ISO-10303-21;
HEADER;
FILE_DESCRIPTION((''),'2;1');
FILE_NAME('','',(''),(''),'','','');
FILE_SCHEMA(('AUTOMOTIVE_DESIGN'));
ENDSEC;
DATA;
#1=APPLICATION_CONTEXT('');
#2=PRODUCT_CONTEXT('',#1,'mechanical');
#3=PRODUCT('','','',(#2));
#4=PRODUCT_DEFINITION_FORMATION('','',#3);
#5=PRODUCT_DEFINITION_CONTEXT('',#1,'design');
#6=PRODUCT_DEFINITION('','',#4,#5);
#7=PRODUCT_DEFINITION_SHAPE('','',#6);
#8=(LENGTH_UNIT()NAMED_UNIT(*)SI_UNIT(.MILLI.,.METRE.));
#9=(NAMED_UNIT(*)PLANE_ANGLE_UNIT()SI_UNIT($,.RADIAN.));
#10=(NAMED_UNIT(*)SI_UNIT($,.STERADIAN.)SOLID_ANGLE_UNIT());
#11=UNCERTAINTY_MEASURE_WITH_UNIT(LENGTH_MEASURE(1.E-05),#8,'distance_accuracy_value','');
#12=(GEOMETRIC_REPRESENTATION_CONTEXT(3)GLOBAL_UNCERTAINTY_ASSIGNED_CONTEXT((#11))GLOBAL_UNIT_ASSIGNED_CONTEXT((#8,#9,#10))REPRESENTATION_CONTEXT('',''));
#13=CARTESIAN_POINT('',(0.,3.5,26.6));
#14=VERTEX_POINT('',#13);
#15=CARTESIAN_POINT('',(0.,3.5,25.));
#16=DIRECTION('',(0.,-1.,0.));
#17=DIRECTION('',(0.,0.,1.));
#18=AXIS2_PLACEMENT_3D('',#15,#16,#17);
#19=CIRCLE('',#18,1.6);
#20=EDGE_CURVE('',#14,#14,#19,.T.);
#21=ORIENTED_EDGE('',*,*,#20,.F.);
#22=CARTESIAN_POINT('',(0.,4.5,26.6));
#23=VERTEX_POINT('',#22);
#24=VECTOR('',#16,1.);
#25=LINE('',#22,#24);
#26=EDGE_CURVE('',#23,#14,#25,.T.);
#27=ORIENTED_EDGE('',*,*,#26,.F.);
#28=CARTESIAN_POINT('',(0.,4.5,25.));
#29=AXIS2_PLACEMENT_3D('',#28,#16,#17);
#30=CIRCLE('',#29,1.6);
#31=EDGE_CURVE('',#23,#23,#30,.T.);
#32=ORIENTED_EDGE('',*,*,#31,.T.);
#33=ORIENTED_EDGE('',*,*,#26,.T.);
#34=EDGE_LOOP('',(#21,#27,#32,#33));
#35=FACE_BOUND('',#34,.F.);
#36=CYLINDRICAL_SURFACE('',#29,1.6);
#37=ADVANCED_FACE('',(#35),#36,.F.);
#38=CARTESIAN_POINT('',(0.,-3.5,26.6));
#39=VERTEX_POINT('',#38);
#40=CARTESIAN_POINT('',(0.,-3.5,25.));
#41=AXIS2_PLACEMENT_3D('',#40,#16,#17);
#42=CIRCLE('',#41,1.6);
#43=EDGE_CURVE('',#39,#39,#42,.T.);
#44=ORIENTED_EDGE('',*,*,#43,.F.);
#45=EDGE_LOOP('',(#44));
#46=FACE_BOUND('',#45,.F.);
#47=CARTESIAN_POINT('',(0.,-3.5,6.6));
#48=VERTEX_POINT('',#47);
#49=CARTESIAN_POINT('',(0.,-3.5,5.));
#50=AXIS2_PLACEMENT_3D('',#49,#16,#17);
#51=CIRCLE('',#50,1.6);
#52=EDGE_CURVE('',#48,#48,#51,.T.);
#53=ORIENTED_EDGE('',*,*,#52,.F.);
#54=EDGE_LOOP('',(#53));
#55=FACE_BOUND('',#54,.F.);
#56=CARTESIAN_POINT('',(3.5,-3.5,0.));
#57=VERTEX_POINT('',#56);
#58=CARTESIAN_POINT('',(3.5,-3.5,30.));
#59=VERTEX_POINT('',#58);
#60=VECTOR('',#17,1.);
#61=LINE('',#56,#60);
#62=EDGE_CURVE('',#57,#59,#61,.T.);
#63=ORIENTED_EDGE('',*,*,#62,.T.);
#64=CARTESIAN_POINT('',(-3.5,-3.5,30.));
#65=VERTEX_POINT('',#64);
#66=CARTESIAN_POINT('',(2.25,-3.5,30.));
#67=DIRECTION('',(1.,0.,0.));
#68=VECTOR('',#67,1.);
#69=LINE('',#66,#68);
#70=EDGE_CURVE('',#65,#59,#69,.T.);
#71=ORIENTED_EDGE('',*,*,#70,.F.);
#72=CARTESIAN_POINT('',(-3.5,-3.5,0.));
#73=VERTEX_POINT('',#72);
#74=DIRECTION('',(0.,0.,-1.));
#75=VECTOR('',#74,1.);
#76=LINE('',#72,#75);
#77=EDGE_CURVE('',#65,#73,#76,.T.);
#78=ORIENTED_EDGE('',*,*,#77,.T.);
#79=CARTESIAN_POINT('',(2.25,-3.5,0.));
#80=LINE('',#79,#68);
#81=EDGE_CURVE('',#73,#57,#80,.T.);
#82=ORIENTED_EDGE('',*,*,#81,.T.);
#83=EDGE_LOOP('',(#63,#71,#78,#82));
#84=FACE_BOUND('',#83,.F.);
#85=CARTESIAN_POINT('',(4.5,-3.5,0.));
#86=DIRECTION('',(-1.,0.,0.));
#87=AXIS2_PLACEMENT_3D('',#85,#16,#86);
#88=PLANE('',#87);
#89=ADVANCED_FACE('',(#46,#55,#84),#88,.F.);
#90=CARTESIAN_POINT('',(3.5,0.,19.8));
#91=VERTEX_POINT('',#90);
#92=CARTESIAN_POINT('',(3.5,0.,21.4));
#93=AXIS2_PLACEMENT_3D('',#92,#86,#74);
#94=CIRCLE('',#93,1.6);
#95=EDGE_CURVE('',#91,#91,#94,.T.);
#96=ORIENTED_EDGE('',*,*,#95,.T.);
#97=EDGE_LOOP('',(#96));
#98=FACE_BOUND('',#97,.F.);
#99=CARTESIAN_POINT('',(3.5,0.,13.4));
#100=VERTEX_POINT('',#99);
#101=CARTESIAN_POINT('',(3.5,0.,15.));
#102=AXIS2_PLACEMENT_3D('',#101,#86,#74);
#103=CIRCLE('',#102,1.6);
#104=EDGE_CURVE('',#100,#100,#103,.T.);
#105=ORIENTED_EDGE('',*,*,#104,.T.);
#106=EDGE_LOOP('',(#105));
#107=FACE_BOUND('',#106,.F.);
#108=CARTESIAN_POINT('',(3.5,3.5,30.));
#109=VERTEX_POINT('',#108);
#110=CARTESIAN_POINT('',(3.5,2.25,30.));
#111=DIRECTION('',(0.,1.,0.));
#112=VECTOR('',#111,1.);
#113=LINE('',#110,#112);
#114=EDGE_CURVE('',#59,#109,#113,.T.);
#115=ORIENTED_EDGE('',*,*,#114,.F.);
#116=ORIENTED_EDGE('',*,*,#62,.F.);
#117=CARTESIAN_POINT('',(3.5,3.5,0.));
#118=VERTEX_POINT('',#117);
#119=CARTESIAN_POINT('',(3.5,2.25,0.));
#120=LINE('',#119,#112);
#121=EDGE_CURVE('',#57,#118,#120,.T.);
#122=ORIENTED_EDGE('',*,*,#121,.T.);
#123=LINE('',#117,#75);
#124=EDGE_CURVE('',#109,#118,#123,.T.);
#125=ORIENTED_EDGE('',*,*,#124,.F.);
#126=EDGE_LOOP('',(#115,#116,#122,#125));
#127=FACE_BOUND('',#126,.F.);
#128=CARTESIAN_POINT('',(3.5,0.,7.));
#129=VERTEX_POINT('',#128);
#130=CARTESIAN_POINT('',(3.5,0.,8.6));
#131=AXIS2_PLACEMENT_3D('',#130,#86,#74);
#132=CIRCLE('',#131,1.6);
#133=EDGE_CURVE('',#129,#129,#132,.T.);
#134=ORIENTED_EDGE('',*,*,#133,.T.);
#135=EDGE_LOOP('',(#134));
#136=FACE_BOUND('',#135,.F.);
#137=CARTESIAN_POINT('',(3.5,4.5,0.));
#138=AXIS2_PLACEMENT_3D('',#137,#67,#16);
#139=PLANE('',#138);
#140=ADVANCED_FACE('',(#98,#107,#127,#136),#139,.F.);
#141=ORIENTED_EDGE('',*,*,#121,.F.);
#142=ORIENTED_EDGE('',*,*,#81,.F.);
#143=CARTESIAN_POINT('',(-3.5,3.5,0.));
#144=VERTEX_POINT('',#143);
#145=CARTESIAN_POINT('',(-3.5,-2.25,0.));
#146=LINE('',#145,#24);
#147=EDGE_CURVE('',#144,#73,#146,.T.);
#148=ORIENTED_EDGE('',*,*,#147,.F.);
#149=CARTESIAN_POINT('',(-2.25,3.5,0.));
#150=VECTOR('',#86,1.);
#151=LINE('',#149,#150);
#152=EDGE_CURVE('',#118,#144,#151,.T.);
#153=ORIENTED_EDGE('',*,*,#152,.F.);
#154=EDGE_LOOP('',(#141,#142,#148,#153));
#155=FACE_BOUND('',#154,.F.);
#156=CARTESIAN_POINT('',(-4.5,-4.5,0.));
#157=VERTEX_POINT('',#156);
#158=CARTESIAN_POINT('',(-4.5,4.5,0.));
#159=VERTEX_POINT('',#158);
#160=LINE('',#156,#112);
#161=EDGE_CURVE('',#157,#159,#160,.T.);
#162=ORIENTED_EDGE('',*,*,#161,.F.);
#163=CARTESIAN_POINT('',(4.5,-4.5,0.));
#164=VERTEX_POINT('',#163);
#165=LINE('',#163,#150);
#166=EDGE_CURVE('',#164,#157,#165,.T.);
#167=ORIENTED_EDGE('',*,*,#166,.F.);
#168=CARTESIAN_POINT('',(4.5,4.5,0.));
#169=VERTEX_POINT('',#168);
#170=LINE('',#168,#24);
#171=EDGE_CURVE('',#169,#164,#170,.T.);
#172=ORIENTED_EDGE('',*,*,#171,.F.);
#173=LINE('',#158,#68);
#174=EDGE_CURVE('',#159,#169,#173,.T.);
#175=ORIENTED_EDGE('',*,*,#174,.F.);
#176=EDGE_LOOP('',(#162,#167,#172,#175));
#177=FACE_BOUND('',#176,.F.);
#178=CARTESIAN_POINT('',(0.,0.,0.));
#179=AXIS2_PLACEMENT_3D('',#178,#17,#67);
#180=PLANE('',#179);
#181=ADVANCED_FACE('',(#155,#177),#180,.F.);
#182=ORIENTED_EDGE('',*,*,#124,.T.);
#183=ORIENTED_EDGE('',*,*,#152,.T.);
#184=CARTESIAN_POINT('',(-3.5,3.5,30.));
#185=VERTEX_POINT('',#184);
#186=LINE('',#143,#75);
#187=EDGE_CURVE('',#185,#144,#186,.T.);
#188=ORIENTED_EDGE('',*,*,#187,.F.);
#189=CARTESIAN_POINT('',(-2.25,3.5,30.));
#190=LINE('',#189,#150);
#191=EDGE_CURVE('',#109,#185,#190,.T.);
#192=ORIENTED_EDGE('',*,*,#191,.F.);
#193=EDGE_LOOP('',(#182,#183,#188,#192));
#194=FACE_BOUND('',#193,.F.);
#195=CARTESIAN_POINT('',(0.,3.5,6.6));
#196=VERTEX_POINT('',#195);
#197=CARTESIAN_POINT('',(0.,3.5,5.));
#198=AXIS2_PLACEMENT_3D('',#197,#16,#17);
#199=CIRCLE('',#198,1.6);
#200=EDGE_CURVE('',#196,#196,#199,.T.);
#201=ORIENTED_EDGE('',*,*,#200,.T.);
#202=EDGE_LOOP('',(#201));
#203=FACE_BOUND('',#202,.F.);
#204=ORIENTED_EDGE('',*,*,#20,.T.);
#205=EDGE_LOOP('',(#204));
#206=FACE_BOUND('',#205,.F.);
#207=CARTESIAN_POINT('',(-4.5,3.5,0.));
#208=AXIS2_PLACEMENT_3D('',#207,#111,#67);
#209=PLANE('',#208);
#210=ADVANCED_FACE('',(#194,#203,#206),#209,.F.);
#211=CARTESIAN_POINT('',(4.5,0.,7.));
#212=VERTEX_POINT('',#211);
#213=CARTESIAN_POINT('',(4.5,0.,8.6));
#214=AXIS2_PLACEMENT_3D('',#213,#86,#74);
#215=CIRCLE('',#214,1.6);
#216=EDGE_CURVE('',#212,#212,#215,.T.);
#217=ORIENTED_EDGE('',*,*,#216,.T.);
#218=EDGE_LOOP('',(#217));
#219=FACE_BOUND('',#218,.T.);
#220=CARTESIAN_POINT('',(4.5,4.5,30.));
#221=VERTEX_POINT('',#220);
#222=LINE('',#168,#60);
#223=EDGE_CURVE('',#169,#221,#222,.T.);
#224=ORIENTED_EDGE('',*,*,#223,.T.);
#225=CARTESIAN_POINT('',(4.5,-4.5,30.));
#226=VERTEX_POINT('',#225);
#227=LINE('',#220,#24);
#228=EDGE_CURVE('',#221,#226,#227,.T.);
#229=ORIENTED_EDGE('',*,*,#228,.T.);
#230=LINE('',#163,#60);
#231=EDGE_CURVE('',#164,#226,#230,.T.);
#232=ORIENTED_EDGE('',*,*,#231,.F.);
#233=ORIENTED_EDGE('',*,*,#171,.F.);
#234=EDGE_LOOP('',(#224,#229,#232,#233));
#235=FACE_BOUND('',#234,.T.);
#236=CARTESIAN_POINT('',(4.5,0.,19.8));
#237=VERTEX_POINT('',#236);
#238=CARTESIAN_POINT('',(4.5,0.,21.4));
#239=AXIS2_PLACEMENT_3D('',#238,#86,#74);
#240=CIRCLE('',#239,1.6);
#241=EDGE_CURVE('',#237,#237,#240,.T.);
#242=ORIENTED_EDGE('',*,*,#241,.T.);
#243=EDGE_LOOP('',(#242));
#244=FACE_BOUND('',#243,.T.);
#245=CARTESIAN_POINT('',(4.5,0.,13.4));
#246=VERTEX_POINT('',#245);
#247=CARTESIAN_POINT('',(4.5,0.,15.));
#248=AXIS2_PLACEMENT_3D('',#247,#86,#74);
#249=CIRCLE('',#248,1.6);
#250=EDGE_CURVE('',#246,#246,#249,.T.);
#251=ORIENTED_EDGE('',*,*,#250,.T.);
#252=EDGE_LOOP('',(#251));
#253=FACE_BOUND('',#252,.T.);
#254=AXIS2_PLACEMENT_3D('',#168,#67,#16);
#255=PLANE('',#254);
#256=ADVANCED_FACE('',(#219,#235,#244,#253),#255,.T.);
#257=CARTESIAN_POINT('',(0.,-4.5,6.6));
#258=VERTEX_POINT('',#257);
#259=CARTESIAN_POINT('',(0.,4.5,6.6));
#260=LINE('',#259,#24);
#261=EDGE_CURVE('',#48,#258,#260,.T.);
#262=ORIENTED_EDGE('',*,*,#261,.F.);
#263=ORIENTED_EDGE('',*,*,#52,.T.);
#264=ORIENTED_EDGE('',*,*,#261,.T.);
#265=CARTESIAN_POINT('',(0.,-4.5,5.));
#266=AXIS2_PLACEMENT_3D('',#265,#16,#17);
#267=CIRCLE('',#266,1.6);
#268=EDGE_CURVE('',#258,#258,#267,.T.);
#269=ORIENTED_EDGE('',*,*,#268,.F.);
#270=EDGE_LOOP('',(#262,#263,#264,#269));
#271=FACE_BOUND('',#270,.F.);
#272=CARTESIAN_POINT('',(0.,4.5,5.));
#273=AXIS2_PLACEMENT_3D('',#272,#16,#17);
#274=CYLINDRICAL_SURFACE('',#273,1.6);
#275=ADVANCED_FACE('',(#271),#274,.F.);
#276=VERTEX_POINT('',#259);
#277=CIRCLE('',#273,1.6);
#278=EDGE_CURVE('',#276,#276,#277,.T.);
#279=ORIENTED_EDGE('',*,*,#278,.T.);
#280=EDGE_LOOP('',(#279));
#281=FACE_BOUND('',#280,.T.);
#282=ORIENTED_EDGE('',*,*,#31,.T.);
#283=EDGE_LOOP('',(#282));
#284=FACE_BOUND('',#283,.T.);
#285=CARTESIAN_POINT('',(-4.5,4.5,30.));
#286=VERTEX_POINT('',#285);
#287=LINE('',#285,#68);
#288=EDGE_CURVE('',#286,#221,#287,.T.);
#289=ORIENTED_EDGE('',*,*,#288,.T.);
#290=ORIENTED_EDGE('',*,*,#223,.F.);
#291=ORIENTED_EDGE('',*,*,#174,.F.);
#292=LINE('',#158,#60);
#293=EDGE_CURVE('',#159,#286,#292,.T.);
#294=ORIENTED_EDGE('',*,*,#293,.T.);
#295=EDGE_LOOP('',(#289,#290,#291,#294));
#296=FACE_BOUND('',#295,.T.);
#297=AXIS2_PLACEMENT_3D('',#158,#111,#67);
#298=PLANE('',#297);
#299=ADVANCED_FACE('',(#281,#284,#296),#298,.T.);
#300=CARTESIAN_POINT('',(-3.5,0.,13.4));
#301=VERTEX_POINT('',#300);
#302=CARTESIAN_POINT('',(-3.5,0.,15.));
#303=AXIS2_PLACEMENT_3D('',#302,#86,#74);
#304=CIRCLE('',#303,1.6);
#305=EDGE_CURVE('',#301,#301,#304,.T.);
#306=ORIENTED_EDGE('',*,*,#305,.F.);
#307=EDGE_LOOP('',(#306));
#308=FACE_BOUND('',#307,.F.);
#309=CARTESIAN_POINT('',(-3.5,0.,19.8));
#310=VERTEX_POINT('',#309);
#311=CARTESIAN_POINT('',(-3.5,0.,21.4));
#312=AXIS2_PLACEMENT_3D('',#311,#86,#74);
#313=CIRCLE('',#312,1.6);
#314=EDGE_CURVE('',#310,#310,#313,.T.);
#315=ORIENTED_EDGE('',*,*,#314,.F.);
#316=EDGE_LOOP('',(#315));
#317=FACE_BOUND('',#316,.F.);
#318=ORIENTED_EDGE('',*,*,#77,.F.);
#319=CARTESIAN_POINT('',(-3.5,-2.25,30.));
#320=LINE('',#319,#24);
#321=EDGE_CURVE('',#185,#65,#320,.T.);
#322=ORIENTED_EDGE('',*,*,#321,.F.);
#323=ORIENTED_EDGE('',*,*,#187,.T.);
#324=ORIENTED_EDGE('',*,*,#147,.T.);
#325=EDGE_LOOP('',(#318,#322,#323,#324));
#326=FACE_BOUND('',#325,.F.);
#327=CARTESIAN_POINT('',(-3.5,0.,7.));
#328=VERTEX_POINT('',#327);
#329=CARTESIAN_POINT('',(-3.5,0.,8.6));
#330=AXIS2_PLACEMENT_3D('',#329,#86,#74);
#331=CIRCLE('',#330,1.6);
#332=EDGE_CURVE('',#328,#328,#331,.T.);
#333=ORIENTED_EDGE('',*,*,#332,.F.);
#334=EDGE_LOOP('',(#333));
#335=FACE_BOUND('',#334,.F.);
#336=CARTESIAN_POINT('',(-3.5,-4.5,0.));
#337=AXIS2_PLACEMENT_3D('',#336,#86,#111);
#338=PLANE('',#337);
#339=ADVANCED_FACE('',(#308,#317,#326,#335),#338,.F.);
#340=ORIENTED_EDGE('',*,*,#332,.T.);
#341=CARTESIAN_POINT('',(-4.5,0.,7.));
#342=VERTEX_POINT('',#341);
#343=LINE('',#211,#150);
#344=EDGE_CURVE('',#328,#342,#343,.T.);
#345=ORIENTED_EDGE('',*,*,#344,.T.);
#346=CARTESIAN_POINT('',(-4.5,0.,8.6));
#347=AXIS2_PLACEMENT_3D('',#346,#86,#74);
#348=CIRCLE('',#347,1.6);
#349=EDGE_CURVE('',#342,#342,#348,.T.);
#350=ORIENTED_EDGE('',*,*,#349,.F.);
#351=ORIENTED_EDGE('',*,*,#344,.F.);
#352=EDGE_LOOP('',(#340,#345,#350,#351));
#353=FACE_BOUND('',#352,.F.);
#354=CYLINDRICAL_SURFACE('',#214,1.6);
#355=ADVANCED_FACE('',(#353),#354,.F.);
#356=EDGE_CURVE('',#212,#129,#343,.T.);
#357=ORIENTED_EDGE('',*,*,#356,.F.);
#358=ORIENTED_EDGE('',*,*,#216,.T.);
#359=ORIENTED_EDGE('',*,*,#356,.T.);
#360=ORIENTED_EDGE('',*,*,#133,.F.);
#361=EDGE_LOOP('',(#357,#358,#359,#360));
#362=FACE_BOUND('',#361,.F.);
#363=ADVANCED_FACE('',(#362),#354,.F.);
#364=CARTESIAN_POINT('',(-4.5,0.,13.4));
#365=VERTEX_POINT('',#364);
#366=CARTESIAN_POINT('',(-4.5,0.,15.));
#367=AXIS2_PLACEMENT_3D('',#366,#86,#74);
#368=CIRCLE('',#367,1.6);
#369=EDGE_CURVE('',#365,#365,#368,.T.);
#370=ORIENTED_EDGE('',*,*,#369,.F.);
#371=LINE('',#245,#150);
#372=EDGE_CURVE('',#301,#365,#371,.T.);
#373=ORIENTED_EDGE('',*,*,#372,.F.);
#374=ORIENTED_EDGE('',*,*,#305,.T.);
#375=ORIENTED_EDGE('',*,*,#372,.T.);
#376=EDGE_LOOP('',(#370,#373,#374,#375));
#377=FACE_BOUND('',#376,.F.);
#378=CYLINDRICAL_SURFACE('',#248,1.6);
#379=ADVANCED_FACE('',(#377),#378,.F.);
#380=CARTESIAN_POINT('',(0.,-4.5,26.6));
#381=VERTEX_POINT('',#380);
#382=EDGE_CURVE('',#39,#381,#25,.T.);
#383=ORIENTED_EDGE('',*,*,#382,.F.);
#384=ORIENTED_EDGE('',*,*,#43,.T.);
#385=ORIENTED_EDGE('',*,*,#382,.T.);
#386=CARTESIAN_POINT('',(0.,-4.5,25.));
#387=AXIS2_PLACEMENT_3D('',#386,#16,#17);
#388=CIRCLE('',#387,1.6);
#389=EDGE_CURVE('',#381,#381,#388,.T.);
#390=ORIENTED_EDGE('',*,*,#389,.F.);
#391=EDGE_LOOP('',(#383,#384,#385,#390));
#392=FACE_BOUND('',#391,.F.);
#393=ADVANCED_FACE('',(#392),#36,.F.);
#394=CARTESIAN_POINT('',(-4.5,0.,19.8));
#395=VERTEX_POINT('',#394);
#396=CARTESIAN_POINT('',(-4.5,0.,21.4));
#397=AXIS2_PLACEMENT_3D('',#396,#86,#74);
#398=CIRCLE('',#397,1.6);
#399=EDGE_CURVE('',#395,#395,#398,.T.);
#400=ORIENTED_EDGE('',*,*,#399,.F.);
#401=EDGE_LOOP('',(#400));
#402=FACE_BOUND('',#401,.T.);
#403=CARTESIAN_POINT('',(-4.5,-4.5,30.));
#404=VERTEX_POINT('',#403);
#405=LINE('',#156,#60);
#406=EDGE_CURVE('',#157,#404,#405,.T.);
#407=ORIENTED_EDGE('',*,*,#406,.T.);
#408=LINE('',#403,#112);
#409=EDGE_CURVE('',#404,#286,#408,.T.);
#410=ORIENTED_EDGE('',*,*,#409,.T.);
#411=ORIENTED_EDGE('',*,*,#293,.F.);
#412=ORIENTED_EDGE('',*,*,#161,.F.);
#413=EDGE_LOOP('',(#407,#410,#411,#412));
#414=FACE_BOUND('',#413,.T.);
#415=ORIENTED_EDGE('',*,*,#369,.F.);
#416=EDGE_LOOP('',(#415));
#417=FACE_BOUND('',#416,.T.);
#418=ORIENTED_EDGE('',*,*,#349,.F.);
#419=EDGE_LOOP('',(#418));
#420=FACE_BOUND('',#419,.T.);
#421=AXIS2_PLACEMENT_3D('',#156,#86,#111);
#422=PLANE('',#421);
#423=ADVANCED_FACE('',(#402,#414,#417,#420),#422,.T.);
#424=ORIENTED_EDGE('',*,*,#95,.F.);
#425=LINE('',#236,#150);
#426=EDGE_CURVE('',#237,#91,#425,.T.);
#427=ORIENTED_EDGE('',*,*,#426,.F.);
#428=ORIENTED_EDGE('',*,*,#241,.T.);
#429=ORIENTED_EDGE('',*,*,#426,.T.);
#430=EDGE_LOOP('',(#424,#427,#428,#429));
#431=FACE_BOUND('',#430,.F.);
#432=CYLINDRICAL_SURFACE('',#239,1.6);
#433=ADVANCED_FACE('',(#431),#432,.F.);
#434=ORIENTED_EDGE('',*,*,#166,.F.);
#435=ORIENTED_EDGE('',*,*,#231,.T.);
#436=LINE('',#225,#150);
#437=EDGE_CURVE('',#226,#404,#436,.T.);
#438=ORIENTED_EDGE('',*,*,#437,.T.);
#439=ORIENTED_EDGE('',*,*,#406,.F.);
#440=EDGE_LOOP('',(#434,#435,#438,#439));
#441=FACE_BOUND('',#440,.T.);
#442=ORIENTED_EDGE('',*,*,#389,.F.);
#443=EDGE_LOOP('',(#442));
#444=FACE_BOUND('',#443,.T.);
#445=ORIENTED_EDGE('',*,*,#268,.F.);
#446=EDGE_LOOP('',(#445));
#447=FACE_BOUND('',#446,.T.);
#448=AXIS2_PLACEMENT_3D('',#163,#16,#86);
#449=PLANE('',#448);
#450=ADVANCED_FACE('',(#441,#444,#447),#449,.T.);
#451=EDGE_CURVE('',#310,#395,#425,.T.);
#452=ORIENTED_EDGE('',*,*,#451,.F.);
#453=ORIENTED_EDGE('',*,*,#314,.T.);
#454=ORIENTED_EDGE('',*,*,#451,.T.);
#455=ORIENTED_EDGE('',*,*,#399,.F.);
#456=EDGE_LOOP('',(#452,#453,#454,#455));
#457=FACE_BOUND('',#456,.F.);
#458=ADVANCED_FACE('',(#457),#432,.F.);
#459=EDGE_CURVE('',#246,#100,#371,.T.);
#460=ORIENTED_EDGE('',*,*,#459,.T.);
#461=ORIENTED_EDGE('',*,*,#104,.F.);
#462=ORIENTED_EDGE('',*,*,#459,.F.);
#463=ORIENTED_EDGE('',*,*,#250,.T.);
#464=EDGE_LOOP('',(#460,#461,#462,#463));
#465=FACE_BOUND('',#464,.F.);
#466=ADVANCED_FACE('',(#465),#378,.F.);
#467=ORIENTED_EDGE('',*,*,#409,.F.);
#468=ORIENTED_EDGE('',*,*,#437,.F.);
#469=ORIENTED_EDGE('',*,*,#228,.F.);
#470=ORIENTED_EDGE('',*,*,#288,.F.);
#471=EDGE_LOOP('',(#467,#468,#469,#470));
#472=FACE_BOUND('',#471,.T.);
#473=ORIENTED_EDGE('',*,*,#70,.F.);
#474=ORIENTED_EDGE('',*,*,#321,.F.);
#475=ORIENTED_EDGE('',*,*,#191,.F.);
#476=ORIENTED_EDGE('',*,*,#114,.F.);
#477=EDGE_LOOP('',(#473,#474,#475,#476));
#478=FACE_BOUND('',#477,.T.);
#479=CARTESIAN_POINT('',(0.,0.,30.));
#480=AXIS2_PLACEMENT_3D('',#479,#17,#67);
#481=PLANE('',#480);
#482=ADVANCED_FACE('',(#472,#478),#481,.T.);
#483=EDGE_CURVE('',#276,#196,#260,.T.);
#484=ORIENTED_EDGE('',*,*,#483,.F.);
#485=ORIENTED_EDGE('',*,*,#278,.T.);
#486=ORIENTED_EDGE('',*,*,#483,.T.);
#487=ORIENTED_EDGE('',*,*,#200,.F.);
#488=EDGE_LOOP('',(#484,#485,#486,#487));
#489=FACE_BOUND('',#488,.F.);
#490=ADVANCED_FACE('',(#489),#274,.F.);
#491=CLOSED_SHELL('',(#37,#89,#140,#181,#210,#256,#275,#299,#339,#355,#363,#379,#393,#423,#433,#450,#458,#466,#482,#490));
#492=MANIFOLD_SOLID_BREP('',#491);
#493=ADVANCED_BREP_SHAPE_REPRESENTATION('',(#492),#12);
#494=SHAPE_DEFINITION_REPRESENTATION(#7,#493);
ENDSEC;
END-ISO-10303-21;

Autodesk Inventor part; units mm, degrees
ref_plane "YZ Plane" through (0, 0, 0) normal (1, 0, 0) x (0, 1, 0)
ref_plane "XZ Plane" through (0, 0, 0) normal (0, 1, 0) x (-1, 0, 0)
ref_plane "XY Plane" through (0, 0, 0) normal (0, 0, 1) x (1, 0, 0)
sketch "スケッチ1" plane through (0, 0, 0) normal (0, 0, 1) x (1, 0, 0)
  line L0 (4.5, -4.5) -> (-4.5, -4.5)
  line L1 (-4.5, -4.5) -> (-4.5, 4.5)
  line L2 (-4.5, 4.5) -> (4.5, 4.5)
  line L3 (4.5, 4.5) -> (4.5, -4.5)
  line L4 (4.5, -4.5) -> (-4.5, 4.5) construction
  line L5 (-4.5, -4.5) -> (4.5, 4.5) construction
  point P0 (0, 0)
  dimension "d0" = 9
  dimension "d1" = 9
extrude "押し出し1" add sketch "スケッチ1" along normal blind 30
shell "シェル1" thickness 1 removed faces 2 at (1.5, -1.5, 0) at (1.5, -1.5, 30)
sketch "スケッチ2" plane through (-4.5, 4.5, 0) normal (0, 1, 0) x (1, 0, 0)
  line L0 (0, 0) -> (9, 0) projected
  point P0 (4.5, 0)
  point P1 (4.5, -5)
  point P2 (4.5, -25)
  point P3 (4.5, 0)
  dimension "d5" = 20
  dimension "d6" = 5
hole "穴1" at (0, 4.5, 5) at (0, 4.5, 25) direction (0, -1, 0) diameter 3.2 end through all
sketch "スケッチ3" plane through (4.5, -4.5, 0) normal (1, 0, 0) x (0, 0, -1)
  line L0 (0, 9) -> (0, 0) projected
  line L1 (0, 9) -> (-30, 9) projected
  line L2 (-30, 0) -> (-30, 9) projected
  line L3 (0, 0) -> (-30, 0) projected
  point P0 (0, 4.5)
  point P1 (-15, 4.5)
  point P2 (-15, 9)
  point P3 (0, 4.5)
  point P4 (-8.6, 4.5)
  point P5 (-21.4, 4.5)
  dimension "d21" = 6.4
  dimension "d22" = 6.4
hole "穴2" at (4.5, 0, 15) at (4.5, 0, 8.6) at (4.5, 0, 21.4) direction (-1, 0, 0) diameter 3.2 end through all
properties part number "SqPipeminin"
